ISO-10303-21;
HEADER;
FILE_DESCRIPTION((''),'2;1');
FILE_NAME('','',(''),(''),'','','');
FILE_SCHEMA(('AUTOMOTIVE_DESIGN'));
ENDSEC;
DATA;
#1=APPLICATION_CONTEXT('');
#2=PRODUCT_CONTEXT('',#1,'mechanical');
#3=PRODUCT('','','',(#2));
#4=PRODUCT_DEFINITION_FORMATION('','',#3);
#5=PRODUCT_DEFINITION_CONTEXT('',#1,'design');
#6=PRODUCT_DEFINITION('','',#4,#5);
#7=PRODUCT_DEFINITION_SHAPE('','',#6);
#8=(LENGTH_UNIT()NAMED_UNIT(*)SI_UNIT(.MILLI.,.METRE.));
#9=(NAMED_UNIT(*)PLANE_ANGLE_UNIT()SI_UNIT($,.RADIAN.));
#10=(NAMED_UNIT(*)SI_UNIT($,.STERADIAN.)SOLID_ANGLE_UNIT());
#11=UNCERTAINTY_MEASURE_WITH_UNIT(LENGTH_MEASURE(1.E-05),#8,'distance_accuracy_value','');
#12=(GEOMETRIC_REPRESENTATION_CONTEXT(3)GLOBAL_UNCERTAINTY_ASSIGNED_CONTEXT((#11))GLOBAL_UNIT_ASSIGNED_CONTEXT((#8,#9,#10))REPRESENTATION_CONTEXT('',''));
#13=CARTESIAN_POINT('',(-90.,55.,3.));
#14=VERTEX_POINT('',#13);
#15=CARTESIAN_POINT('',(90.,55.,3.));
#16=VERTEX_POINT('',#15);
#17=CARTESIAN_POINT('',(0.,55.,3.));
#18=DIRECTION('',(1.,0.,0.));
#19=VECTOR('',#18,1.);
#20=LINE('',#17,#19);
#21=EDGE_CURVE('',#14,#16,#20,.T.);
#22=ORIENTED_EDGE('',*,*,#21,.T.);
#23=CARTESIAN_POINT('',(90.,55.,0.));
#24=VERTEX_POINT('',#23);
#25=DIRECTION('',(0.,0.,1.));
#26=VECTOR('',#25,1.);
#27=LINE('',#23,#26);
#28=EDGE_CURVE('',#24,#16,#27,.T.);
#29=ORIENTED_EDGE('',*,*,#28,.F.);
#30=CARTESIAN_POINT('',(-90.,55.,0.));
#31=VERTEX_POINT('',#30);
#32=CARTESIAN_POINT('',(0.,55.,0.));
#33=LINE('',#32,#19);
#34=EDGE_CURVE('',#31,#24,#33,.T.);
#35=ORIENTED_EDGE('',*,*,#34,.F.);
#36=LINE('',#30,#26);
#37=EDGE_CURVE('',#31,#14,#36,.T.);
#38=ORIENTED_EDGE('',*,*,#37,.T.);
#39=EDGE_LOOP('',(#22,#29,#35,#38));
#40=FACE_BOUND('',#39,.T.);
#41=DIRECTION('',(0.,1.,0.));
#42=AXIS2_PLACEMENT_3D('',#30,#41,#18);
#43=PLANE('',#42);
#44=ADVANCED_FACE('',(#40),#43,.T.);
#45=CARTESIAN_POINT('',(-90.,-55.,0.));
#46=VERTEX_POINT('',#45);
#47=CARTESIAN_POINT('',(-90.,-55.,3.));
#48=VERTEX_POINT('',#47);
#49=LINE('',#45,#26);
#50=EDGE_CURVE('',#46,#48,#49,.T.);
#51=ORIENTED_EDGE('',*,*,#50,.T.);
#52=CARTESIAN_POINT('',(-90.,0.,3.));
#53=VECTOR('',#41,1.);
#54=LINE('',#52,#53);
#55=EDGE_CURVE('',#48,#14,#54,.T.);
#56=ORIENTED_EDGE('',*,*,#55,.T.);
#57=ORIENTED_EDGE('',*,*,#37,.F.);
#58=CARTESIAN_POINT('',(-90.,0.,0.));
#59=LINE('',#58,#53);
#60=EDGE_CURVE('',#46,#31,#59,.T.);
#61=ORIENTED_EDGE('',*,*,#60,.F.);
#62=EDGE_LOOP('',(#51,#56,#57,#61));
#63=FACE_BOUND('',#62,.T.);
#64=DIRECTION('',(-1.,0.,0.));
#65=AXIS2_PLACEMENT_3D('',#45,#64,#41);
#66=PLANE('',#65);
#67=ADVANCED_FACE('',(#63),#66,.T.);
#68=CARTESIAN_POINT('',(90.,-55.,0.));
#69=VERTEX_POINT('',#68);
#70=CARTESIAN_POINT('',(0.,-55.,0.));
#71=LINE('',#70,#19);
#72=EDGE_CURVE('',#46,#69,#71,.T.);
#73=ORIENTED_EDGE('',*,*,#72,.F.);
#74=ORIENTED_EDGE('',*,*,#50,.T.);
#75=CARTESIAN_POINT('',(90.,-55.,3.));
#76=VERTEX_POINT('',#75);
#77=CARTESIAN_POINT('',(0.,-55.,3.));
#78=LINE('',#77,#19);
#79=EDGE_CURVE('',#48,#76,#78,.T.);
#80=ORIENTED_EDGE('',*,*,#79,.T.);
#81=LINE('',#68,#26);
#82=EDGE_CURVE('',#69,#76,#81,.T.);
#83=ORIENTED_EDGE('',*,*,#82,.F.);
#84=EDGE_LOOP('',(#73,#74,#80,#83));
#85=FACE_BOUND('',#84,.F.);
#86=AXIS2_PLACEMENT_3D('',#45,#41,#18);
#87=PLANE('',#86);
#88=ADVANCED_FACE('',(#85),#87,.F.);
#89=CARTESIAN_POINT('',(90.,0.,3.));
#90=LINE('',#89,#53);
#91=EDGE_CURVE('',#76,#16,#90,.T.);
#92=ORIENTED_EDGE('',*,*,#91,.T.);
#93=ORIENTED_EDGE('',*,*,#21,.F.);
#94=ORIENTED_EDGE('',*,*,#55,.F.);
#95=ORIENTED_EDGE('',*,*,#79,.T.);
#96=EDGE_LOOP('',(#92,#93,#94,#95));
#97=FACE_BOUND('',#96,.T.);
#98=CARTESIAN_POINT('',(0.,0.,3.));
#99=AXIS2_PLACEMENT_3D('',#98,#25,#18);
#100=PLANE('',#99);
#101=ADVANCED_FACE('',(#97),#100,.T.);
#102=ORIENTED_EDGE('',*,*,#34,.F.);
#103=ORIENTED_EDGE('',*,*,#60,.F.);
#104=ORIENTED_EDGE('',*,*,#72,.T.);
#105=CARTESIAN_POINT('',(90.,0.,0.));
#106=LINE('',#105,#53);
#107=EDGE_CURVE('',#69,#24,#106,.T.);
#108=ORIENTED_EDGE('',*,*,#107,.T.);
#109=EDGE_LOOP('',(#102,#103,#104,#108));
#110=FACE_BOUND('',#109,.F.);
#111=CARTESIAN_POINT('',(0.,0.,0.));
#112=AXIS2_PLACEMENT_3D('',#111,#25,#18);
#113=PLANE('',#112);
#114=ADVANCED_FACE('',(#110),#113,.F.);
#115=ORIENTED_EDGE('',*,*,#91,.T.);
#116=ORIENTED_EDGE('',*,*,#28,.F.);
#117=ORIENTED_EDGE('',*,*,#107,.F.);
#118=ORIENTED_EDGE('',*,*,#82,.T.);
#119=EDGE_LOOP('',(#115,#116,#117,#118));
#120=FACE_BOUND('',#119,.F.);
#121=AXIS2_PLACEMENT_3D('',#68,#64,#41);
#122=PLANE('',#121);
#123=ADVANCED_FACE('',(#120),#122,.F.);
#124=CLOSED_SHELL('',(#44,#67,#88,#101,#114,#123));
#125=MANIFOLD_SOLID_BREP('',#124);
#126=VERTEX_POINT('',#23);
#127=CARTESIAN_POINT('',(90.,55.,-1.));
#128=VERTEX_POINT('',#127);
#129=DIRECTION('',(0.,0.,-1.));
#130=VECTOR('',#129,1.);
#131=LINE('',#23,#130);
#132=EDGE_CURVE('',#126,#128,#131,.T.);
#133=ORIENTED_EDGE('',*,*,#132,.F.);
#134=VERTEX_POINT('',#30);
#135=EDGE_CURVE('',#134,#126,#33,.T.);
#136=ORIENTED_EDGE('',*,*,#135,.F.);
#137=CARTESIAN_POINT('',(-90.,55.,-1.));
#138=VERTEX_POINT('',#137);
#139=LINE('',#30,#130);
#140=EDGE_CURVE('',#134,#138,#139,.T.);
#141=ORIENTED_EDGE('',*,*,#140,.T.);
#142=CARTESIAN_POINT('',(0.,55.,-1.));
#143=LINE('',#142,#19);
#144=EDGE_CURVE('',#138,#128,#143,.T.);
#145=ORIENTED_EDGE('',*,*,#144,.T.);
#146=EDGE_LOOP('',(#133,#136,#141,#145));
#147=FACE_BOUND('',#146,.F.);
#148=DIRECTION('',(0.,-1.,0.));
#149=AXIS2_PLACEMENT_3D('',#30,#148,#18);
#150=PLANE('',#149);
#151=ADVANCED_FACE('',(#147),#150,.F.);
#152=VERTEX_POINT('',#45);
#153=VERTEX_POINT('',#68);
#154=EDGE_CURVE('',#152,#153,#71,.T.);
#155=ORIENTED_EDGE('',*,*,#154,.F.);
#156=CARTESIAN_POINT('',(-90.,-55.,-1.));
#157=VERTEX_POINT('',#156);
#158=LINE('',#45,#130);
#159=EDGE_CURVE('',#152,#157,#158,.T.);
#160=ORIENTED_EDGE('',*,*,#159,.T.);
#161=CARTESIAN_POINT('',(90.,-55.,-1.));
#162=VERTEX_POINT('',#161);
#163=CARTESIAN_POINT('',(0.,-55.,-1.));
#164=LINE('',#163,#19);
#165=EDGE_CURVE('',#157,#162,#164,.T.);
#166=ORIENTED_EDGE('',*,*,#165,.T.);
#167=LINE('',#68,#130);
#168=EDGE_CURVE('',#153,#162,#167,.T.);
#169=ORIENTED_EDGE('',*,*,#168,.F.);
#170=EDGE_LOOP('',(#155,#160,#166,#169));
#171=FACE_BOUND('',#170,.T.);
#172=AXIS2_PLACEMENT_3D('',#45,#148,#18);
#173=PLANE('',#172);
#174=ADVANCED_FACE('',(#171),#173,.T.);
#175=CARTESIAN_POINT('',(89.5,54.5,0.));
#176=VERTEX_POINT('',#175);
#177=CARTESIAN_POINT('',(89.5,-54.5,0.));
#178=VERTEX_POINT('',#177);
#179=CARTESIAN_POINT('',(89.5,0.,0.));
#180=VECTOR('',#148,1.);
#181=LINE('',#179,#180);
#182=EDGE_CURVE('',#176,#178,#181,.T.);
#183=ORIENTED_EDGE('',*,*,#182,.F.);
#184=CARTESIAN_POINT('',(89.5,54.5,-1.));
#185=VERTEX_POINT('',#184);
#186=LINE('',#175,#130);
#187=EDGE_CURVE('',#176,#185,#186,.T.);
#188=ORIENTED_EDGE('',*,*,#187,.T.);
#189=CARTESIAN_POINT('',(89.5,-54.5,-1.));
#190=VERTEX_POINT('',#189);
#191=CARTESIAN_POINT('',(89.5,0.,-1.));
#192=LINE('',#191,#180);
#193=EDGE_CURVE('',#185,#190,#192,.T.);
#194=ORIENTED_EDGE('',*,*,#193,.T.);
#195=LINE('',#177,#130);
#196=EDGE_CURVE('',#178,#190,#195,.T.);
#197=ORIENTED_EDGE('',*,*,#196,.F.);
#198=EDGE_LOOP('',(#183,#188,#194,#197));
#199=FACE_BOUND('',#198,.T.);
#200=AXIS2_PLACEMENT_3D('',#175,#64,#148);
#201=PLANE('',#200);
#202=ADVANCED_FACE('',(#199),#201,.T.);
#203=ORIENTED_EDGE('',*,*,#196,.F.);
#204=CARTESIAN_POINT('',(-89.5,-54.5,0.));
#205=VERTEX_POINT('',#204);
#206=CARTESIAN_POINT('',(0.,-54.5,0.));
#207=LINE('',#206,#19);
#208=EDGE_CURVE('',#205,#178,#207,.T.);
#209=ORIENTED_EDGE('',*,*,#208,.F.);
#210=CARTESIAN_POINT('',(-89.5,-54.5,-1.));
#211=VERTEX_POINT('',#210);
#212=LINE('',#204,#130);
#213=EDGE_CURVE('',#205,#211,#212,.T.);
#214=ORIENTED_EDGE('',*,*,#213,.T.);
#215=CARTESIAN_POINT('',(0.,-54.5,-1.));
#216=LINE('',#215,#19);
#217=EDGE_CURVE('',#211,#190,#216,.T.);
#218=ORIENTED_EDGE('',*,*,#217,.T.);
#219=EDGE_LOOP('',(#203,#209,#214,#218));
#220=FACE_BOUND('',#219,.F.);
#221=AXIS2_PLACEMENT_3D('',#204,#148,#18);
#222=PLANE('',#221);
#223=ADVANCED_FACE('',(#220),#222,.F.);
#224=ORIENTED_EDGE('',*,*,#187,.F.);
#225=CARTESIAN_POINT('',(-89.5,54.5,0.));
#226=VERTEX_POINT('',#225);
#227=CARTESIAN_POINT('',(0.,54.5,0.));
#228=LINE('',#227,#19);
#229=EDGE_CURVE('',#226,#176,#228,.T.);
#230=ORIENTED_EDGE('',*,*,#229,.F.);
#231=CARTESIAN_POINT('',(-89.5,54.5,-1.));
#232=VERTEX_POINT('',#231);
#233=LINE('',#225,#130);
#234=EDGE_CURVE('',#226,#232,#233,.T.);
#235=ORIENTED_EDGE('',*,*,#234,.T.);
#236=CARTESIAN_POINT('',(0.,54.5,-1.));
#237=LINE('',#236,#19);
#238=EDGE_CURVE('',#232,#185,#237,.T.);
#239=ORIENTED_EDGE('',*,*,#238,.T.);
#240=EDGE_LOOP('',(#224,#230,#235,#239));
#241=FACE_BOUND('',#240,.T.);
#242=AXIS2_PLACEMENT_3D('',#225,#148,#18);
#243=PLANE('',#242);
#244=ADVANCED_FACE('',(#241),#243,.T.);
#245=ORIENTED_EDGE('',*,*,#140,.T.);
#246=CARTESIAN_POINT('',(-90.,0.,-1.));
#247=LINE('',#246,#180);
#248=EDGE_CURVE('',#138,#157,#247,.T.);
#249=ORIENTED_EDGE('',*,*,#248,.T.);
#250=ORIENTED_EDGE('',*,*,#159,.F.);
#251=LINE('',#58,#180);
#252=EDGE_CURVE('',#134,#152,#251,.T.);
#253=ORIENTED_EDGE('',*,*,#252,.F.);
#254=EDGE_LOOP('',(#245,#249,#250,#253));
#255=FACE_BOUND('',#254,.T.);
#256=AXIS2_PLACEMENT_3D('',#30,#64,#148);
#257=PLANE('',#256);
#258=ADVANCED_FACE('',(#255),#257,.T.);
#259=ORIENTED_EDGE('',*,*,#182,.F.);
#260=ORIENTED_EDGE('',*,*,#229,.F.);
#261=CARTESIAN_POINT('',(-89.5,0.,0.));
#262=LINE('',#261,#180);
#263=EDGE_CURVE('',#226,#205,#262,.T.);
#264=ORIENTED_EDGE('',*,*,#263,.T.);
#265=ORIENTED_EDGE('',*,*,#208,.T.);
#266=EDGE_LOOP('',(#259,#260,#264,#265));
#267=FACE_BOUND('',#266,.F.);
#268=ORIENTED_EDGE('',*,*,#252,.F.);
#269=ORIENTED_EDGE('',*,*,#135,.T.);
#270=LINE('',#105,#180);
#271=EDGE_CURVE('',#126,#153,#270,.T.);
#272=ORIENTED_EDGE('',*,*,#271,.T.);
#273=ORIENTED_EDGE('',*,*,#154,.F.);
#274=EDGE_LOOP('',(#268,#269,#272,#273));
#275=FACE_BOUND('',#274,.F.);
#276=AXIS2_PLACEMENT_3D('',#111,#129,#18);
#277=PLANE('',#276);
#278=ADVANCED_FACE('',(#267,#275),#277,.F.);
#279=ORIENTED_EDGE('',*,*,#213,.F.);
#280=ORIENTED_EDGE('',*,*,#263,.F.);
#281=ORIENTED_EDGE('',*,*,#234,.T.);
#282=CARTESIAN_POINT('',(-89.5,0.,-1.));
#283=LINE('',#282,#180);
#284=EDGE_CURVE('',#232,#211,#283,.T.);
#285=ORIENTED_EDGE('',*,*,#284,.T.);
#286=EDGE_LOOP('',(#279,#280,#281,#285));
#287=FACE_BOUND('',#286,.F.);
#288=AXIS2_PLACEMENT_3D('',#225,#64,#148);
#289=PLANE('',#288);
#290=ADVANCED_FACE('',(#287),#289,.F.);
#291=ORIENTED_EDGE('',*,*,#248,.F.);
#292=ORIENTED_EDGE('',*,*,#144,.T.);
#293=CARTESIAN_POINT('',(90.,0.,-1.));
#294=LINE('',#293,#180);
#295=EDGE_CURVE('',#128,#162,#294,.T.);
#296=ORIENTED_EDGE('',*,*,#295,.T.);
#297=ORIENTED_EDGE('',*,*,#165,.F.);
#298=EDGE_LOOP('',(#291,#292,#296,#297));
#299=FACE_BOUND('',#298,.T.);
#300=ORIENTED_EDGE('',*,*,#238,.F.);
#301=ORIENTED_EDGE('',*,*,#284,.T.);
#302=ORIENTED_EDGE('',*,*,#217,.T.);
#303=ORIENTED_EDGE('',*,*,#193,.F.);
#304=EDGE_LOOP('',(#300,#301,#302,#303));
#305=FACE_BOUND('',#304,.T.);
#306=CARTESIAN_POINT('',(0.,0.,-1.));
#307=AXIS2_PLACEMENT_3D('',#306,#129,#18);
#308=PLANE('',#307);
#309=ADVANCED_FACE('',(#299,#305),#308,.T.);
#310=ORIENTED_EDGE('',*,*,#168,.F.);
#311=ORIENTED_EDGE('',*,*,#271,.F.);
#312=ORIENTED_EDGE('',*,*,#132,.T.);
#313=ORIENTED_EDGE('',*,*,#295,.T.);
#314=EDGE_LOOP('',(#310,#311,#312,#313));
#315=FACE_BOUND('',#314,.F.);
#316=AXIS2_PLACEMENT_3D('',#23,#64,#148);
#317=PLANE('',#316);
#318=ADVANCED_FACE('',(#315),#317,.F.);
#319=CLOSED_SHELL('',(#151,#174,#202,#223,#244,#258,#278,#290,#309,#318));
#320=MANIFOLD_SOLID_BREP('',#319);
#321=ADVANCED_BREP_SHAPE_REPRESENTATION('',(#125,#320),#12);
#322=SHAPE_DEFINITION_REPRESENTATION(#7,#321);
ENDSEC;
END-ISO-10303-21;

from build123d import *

# Parameters (mm, degrees)
F0_W     = 180
F0_H     = 110
F1_DEPTH = 3
F2_W     = 180
F2_H     = 110
F2_W_2   = 179
F2_H_2   = 109
F3_DEPTH = 1


with BuildPart() as f1:
    # F0 (on Top) → F1 (new body)
    with BuildSketch(Plane.XY):
        Rectangle(F0_W, F0_H)
    extrude(amount=F1_DEPTH)


with BuildPart() as f3:
    # F2 (on face) → F3 (new body)
    with BuildSketch(Plane(origin=(0, 0, 0), x_dir=(1, 0, 0), z_dir=(0, 0, -1))):
        Rectangle(F2_W, F2_H)
        Rectangle(F2_W_2, F2_H_2, mode=Mode.SUBTRACT)
    extrude(amount=F3_DEPTH)


solid = Compound([f1.part, f3.part])
